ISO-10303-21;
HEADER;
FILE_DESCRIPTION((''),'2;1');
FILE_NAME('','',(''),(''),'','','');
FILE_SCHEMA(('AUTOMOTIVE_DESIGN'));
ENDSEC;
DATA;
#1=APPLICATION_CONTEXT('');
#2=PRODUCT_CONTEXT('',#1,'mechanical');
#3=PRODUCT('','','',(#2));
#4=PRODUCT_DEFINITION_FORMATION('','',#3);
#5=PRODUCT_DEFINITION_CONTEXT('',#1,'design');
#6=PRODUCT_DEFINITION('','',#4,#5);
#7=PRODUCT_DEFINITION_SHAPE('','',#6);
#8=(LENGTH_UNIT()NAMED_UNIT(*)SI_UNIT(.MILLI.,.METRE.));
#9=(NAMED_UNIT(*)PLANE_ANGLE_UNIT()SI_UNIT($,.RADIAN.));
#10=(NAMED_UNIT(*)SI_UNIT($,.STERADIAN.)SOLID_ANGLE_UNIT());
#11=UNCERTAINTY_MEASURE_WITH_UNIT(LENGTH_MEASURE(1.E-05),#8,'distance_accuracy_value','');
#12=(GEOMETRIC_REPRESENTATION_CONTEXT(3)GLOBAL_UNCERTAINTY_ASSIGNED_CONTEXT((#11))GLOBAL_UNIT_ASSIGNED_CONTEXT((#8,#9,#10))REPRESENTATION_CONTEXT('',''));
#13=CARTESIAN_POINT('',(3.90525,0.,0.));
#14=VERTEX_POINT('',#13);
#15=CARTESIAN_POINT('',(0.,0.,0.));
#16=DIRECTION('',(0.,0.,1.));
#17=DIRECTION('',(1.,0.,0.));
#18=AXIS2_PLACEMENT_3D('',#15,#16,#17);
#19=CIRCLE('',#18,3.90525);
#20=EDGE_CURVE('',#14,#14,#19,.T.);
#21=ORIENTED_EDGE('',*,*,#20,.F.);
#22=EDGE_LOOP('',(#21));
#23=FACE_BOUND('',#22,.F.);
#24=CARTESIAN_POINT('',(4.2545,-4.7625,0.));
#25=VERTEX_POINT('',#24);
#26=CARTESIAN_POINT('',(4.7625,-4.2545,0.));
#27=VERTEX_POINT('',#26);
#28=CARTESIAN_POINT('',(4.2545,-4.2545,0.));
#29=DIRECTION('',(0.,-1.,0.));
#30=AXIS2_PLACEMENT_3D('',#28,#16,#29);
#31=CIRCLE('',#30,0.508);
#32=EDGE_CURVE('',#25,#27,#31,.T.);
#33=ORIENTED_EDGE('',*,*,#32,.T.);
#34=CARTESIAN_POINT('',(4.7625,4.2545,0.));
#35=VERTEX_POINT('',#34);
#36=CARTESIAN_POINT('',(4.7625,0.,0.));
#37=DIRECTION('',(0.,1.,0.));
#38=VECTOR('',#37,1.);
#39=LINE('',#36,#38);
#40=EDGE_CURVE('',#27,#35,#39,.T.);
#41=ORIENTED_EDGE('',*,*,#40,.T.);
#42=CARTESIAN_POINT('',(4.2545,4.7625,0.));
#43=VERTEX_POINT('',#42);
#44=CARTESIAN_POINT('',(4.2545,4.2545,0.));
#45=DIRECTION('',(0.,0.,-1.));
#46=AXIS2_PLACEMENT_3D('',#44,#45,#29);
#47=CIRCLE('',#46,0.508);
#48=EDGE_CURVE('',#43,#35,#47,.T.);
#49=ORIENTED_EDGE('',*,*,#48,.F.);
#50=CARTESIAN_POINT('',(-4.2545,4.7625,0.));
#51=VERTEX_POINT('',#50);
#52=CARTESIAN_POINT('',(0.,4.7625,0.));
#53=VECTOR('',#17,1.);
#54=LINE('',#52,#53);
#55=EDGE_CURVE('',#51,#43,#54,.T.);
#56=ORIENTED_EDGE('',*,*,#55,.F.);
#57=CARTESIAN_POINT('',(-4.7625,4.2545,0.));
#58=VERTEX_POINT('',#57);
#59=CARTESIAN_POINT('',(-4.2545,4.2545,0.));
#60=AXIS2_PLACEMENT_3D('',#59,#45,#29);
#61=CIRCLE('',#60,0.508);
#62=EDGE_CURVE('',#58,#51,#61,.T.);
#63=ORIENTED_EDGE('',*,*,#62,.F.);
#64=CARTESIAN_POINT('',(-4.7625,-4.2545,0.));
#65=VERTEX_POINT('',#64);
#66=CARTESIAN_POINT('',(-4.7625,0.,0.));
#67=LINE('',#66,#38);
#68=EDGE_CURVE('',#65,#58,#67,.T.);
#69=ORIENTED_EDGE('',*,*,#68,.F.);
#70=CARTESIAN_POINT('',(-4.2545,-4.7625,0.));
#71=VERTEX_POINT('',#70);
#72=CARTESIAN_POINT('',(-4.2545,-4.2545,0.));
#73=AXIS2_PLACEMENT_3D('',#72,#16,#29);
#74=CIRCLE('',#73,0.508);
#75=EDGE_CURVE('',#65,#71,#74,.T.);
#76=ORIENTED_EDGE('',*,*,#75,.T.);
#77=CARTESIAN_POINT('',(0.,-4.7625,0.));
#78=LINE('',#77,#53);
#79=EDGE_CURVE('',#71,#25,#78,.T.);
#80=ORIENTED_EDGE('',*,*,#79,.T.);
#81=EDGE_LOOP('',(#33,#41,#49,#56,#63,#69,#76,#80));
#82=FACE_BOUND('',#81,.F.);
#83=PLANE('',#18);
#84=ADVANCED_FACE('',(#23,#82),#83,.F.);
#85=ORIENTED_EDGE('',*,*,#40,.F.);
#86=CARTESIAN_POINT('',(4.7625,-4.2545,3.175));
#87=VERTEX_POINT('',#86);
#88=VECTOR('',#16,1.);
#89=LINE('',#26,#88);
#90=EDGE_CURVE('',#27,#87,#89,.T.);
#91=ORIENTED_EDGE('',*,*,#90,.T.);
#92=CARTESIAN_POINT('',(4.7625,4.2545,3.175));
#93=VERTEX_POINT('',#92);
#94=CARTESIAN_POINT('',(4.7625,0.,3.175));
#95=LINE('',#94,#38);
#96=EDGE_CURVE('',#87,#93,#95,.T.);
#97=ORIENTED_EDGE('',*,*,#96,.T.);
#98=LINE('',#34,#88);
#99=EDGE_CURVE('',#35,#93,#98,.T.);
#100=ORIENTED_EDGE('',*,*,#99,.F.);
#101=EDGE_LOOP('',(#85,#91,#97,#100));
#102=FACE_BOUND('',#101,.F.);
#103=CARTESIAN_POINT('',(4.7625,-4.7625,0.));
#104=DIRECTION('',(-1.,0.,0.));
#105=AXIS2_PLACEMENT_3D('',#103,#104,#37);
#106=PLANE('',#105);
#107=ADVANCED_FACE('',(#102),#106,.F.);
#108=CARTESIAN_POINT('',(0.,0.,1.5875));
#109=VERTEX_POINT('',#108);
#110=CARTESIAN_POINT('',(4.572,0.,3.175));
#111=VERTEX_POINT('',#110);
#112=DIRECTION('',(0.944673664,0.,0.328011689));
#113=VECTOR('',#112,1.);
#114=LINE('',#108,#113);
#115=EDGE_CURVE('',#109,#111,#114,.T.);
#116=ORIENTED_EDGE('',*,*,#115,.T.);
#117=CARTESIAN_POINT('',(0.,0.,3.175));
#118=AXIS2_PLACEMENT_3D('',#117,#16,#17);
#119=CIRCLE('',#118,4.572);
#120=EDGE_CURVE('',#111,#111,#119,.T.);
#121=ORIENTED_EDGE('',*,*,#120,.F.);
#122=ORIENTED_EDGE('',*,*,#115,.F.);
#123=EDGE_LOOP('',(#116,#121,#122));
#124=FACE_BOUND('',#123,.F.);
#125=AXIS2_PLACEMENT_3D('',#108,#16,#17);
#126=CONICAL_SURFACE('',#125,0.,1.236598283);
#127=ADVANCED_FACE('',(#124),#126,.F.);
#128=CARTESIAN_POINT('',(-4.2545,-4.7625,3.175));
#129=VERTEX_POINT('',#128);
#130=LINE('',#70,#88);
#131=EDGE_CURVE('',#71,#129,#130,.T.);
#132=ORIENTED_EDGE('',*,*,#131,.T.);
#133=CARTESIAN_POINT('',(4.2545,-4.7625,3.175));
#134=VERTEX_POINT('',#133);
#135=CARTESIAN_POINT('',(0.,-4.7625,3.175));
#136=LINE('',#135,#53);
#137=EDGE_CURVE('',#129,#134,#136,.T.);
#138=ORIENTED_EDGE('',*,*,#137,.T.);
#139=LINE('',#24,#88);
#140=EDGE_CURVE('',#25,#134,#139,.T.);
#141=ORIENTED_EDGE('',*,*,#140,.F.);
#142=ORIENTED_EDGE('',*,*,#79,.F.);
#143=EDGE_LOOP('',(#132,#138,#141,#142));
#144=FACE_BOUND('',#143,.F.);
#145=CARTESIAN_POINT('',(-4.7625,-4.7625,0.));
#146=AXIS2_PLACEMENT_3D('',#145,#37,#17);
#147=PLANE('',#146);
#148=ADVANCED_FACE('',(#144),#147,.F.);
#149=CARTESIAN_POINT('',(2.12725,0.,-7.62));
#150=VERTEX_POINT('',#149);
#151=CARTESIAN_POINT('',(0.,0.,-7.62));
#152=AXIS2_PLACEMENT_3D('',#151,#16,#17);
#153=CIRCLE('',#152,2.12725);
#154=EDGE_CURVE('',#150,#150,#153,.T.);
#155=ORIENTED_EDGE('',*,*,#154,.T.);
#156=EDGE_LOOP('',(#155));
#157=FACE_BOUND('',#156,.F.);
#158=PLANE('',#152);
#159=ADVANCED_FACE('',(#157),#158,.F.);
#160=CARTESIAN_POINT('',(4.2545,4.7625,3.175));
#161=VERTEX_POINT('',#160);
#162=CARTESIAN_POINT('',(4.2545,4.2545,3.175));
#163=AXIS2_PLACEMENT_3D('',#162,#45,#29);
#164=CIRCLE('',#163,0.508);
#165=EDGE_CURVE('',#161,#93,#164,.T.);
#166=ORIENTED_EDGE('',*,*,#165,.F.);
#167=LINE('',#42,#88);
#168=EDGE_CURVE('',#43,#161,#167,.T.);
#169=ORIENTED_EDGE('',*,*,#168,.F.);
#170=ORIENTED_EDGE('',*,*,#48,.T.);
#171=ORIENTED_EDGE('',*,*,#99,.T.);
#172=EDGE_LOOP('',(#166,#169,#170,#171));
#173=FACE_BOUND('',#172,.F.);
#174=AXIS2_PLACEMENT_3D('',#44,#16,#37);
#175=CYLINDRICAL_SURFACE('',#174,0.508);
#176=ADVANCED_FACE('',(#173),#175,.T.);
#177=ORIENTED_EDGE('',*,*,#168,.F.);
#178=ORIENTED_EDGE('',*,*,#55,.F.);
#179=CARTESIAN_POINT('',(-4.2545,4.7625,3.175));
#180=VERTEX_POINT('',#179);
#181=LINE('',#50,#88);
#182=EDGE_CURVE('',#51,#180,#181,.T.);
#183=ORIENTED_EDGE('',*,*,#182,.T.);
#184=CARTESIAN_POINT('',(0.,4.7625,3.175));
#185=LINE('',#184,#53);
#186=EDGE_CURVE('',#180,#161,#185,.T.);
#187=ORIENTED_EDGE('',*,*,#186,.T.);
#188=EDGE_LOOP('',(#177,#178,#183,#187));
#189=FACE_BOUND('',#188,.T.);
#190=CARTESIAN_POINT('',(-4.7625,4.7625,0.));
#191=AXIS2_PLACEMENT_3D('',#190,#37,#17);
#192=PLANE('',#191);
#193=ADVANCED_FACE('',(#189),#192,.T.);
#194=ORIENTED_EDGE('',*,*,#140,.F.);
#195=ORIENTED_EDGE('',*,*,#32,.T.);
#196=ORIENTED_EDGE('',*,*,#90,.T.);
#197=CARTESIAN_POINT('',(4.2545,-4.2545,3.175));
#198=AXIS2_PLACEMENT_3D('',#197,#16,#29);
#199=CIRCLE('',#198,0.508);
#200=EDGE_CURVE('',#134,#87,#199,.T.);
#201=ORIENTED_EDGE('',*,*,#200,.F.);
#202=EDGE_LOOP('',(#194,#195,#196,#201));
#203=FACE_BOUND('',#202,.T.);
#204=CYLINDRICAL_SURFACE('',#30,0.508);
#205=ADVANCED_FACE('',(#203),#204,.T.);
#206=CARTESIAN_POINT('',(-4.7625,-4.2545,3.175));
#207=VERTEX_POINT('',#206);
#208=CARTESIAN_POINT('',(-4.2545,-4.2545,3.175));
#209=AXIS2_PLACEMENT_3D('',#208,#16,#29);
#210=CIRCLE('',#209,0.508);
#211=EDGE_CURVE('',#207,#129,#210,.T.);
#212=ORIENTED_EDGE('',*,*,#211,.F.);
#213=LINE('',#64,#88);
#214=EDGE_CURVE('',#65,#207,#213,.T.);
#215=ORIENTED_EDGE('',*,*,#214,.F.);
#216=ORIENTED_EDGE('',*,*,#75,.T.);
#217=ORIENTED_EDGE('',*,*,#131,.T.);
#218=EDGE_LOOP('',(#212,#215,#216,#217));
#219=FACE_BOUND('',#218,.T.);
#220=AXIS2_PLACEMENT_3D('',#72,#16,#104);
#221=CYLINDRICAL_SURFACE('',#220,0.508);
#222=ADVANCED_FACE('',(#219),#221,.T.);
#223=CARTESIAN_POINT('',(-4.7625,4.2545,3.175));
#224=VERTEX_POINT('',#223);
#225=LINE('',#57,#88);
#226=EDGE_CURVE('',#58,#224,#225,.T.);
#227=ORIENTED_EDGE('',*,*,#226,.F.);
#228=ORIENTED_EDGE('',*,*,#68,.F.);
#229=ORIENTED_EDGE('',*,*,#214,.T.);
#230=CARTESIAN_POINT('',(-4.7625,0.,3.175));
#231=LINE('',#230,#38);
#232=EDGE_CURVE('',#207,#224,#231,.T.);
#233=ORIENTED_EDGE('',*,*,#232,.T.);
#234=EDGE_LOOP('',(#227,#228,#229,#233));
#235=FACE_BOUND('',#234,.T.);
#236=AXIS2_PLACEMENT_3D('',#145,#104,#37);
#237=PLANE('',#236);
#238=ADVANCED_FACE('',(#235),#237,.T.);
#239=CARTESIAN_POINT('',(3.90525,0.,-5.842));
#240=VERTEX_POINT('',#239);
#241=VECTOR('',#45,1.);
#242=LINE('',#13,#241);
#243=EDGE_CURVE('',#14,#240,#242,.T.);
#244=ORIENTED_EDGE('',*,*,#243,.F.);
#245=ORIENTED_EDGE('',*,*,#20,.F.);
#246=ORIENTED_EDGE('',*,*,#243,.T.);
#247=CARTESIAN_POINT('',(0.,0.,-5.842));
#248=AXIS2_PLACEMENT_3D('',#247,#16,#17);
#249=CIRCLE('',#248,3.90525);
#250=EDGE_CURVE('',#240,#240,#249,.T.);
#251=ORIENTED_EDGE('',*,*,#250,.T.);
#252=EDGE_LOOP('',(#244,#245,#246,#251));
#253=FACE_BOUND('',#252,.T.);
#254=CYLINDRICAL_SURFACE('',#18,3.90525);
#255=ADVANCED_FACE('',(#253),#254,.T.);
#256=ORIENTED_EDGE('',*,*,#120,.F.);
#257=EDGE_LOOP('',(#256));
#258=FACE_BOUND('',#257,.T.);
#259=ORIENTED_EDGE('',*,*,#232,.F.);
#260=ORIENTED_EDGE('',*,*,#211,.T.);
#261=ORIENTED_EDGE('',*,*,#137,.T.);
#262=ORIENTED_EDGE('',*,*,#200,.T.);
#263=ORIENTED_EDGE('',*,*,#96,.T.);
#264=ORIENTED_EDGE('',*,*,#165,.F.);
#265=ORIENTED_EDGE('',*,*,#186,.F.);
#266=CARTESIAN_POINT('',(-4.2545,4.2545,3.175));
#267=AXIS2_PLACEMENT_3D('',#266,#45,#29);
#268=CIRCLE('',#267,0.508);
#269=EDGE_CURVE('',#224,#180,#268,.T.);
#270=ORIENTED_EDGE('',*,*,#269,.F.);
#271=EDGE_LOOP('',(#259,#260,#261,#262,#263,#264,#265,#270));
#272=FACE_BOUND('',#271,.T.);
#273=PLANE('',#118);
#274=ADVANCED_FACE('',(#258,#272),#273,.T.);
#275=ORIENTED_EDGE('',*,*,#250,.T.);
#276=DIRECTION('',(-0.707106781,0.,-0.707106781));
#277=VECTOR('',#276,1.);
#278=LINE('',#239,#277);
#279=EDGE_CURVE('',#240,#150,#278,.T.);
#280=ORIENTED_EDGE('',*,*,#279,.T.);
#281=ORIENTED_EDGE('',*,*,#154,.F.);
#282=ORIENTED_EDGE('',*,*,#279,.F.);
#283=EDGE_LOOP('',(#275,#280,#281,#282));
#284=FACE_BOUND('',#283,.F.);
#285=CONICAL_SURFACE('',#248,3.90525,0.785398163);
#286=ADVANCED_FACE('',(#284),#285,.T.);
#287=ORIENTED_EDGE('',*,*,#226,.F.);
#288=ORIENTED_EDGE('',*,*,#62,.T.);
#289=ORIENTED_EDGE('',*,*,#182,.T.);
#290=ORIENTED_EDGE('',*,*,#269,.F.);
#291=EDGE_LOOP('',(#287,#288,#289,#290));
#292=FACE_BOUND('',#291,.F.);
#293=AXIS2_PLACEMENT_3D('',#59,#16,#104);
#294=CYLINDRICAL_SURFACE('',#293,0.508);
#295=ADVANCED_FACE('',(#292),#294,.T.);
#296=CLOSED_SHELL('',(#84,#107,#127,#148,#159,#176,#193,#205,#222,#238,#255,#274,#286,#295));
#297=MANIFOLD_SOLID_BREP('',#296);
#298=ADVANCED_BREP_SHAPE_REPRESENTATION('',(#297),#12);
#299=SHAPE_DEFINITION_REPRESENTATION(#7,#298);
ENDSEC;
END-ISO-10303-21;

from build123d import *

# Parameters (mm, degrees)
F0_R     = 3.90525
F1_DEPTH = 7.62
F2_W     = 9.525
F2_H     = 9.525
F3_DEPTH = 3.175
F6_R     = 0.508
F7_SIZE  = 1.778


with BuildPart() as f1:
    # F0 (on Top) → F1 (new body)
    with BuildSketch(Plane.XY):
        Circle(F0_R)
    extrude(amount=-F1_DEPTH)

    # F2 (on face) → F3 (join)
    with BuildSketch(Plane.XY):
        Rectangle(F2_W, F2_H)
    extrude(amount=F3_DEPTH)

    # F4 (on Front) → F5 (revolve, cut)
    with BuildSketch(Plane.XZ):
        Polygon((0, 1.5875), (4.572, 3.175), (0, 3.175), align=None)
    revolve(axis=Axis((0, 0, 2.38125), (0, 0, 1)), mode=Mode.SUBTRACT)

    # F6
    f6_edges = [f1.edges().sort_by_distance(p)[0] for p in [
        (-4.7625, 4.7625, 1.5875),
        (4.7625, 4.7625, 1.5875),
        (-4.7625, -4.7625, 1.5875),
        (4.7625, -4.7625, 1.5875),
    ]]
    fillet(f6_edges, radius=F6_R)

    # F7
    f7_edges = [f1.edges().sort_by_distance(p)[0] for p in [
        (-3.90525, 0, -7.62),
    ]]
    chamfer(f7_edges, length=F7_SIZE)


solid = f1.part
